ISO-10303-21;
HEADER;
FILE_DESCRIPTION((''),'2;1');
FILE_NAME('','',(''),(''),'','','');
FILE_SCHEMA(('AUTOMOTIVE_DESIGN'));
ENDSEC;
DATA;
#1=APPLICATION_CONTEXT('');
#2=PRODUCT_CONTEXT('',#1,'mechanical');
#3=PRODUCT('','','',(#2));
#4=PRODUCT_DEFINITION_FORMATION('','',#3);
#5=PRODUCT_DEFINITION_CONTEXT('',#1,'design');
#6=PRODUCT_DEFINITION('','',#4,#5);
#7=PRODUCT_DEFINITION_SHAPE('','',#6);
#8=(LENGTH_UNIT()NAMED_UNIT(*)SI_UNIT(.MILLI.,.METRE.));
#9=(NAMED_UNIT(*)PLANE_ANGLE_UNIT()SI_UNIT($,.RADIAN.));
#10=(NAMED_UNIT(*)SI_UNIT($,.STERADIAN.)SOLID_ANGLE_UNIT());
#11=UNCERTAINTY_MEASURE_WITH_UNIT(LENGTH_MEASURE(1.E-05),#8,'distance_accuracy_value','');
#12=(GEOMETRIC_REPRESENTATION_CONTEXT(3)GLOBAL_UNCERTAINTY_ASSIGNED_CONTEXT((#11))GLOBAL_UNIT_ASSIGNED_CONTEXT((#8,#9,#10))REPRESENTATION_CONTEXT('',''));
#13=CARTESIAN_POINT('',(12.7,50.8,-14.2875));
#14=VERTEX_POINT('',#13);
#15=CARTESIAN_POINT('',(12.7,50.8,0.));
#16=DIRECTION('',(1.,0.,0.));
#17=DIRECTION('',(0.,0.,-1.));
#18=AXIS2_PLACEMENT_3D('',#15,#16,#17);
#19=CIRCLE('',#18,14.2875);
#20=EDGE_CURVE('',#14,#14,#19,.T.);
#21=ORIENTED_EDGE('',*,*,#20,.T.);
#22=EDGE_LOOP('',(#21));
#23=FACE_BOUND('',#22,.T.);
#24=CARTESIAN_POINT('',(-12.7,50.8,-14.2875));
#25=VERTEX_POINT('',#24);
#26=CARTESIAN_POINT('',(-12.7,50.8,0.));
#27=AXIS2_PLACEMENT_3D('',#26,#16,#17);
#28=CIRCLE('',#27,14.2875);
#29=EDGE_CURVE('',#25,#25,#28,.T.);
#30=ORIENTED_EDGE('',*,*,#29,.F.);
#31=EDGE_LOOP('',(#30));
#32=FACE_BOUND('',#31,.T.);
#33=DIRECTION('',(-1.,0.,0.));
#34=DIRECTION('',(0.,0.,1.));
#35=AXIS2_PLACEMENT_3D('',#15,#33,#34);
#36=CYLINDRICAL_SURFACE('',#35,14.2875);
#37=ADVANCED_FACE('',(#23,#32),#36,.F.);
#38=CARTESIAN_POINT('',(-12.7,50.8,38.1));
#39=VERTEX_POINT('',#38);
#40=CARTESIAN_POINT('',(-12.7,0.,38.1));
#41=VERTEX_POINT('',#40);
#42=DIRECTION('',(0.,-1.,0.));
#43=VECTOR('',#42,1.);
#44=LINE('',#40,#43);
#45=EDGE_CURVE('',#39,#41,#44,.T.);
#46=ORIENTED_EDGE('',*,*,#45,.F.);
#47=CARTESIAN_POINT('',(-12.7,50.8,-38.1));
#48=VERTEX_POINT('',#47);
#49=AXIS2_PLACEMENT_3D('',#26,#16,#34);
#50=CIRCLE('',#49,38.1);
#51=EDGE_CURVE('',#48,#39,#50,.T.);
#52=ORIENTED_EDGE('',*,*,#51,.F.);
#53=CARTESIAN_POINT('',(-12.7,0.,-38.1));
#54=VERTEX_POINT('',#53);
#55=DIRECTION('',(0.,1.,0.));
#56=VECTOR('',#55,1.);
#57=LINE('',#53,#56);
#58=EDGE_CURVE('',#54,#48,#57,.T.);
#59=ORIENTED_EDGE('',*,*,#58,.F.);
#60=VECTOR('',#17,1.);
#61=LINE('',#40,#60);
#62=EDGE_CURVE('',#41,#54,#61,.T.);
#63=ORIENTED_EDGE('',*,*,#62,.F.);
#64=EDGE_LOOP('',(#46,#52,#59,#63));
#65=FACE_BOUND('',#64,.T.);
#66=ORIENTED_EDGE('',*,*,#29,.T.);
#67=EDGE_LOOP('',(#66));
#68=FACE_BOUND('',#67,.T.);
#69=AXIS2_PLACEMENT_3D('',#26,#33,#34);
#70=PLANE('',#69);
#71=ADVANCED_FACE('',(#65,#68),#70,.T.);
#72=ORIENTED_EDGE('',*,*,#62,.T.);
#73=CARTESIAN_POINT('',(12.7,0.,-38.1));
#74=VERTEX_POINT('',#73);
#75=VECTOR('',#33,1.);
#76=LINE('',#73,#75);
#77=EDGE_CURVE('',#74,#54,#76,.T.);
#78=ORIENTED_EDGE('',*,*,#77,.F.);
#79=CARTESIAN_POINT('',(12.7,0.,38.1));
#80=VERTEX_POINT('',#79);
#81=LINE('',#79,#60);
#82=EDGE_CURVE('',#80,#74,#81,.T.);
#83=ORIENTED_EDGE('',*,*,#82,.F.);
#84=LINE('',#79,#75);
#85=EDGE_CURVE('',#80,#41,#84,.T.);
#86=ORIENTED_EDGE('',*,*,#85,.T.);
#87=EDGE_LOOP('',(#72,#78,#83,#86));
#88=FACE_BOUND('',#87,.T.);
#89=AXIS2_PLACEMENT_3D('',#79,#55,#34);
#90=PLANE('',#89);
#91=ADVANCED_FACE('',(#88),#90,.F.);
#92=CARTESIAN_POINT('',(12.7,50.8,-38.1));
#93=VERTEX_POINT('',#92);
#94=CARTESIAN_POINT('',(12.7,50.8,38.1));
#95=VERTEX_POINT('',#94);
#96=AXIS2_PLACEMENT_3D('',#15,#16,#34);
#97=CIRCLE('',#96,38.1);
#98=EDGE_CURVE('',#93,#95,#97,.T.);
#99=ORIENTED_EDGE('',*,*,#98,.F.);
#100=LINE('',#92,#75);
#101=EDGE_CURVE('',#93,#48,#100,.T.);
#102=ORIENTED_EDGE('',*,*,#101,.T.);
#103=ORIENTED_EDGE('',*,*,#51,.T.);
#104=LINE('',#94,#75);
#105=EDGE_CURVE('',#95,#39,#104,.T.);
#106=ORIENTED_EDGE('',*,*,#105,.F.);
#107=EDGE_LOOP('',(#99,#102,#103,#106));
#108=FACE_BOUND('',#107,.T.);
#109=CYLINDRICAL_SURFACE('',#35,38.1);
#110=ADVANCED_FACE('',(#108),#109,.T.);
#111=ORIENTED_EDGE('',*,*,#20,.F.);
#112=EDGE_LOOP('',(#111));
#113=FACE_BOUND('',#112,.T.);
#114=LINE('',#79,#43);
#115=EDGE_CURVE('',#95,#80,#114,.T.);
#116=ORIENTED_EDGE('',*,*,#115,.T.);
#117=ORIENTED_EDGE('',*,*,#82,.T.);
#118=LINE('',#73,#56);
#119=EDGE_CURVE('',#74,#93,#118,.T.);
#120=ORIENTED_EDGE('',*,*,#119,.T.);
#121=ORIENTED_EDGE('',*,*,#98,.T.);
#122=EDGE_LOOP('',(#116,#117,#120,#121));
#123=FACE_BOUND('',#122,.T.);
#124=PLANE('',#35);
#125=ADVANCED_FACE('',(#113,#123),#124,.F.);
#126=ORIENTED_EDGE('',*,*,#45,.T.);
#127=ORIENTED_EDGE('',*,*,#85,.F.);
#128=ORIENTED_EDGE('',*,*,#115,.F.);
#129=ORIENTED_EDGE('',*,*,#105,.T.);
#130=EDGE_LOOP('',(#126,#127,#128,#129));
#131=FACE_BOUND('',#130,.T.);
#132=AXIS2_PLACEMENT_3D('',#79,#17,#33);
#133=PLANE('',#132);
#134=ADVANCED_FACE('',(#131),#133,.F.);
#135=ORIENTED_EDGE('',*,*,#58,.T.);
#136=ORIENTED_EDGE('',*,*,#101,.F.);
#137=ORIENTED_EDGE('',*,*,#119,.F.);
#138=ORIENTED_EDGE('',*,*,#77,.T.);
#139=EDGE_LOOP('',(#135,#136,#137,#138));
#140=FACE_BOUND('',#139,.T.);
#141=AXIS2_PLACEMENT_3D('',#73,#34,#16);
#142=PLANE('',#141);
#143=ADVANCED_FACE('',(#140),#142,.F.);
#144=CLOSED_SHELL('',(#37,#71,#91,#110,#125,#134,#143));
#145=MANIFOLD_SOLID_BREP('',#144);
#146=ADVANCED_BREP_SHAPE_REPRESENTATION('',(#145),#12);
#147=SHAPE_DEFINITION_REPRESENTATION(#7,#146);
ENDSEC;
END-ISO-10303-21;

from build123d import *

# Parameters (mm, degrees)
SKETCH1_R           = 14.2875
BOSS_EXTRUDE1_DEPTH = 12.7


with BuildPart() as part:
    # Sketch1 → Boss-Extrude1 (new body, symmetric)
    with BuildSketch(Plane(origin=(0, 0, 0), x_dir=(0, 0, -1), z_dir=(1, 0, 0))):
        with BuildLine():
            Line((-38.1, 0), (38.1, 0))
            Line((38.1, 0), (38.1, 50.8))
            ThreePointArc((38.1, 50.8), (0, 88.9), (-38.1, 50.8))
            Line((-38.1, 50.8), (-38.1, 0))
        make_face()
        with Locations((0, 50.8)):
            Circle(SKETCH1_R, mode=Mode.SUBTRACT)
    extrude(amount=BOSS_EXTRUDE1_DEPTH, both=True)


solid = part.part
